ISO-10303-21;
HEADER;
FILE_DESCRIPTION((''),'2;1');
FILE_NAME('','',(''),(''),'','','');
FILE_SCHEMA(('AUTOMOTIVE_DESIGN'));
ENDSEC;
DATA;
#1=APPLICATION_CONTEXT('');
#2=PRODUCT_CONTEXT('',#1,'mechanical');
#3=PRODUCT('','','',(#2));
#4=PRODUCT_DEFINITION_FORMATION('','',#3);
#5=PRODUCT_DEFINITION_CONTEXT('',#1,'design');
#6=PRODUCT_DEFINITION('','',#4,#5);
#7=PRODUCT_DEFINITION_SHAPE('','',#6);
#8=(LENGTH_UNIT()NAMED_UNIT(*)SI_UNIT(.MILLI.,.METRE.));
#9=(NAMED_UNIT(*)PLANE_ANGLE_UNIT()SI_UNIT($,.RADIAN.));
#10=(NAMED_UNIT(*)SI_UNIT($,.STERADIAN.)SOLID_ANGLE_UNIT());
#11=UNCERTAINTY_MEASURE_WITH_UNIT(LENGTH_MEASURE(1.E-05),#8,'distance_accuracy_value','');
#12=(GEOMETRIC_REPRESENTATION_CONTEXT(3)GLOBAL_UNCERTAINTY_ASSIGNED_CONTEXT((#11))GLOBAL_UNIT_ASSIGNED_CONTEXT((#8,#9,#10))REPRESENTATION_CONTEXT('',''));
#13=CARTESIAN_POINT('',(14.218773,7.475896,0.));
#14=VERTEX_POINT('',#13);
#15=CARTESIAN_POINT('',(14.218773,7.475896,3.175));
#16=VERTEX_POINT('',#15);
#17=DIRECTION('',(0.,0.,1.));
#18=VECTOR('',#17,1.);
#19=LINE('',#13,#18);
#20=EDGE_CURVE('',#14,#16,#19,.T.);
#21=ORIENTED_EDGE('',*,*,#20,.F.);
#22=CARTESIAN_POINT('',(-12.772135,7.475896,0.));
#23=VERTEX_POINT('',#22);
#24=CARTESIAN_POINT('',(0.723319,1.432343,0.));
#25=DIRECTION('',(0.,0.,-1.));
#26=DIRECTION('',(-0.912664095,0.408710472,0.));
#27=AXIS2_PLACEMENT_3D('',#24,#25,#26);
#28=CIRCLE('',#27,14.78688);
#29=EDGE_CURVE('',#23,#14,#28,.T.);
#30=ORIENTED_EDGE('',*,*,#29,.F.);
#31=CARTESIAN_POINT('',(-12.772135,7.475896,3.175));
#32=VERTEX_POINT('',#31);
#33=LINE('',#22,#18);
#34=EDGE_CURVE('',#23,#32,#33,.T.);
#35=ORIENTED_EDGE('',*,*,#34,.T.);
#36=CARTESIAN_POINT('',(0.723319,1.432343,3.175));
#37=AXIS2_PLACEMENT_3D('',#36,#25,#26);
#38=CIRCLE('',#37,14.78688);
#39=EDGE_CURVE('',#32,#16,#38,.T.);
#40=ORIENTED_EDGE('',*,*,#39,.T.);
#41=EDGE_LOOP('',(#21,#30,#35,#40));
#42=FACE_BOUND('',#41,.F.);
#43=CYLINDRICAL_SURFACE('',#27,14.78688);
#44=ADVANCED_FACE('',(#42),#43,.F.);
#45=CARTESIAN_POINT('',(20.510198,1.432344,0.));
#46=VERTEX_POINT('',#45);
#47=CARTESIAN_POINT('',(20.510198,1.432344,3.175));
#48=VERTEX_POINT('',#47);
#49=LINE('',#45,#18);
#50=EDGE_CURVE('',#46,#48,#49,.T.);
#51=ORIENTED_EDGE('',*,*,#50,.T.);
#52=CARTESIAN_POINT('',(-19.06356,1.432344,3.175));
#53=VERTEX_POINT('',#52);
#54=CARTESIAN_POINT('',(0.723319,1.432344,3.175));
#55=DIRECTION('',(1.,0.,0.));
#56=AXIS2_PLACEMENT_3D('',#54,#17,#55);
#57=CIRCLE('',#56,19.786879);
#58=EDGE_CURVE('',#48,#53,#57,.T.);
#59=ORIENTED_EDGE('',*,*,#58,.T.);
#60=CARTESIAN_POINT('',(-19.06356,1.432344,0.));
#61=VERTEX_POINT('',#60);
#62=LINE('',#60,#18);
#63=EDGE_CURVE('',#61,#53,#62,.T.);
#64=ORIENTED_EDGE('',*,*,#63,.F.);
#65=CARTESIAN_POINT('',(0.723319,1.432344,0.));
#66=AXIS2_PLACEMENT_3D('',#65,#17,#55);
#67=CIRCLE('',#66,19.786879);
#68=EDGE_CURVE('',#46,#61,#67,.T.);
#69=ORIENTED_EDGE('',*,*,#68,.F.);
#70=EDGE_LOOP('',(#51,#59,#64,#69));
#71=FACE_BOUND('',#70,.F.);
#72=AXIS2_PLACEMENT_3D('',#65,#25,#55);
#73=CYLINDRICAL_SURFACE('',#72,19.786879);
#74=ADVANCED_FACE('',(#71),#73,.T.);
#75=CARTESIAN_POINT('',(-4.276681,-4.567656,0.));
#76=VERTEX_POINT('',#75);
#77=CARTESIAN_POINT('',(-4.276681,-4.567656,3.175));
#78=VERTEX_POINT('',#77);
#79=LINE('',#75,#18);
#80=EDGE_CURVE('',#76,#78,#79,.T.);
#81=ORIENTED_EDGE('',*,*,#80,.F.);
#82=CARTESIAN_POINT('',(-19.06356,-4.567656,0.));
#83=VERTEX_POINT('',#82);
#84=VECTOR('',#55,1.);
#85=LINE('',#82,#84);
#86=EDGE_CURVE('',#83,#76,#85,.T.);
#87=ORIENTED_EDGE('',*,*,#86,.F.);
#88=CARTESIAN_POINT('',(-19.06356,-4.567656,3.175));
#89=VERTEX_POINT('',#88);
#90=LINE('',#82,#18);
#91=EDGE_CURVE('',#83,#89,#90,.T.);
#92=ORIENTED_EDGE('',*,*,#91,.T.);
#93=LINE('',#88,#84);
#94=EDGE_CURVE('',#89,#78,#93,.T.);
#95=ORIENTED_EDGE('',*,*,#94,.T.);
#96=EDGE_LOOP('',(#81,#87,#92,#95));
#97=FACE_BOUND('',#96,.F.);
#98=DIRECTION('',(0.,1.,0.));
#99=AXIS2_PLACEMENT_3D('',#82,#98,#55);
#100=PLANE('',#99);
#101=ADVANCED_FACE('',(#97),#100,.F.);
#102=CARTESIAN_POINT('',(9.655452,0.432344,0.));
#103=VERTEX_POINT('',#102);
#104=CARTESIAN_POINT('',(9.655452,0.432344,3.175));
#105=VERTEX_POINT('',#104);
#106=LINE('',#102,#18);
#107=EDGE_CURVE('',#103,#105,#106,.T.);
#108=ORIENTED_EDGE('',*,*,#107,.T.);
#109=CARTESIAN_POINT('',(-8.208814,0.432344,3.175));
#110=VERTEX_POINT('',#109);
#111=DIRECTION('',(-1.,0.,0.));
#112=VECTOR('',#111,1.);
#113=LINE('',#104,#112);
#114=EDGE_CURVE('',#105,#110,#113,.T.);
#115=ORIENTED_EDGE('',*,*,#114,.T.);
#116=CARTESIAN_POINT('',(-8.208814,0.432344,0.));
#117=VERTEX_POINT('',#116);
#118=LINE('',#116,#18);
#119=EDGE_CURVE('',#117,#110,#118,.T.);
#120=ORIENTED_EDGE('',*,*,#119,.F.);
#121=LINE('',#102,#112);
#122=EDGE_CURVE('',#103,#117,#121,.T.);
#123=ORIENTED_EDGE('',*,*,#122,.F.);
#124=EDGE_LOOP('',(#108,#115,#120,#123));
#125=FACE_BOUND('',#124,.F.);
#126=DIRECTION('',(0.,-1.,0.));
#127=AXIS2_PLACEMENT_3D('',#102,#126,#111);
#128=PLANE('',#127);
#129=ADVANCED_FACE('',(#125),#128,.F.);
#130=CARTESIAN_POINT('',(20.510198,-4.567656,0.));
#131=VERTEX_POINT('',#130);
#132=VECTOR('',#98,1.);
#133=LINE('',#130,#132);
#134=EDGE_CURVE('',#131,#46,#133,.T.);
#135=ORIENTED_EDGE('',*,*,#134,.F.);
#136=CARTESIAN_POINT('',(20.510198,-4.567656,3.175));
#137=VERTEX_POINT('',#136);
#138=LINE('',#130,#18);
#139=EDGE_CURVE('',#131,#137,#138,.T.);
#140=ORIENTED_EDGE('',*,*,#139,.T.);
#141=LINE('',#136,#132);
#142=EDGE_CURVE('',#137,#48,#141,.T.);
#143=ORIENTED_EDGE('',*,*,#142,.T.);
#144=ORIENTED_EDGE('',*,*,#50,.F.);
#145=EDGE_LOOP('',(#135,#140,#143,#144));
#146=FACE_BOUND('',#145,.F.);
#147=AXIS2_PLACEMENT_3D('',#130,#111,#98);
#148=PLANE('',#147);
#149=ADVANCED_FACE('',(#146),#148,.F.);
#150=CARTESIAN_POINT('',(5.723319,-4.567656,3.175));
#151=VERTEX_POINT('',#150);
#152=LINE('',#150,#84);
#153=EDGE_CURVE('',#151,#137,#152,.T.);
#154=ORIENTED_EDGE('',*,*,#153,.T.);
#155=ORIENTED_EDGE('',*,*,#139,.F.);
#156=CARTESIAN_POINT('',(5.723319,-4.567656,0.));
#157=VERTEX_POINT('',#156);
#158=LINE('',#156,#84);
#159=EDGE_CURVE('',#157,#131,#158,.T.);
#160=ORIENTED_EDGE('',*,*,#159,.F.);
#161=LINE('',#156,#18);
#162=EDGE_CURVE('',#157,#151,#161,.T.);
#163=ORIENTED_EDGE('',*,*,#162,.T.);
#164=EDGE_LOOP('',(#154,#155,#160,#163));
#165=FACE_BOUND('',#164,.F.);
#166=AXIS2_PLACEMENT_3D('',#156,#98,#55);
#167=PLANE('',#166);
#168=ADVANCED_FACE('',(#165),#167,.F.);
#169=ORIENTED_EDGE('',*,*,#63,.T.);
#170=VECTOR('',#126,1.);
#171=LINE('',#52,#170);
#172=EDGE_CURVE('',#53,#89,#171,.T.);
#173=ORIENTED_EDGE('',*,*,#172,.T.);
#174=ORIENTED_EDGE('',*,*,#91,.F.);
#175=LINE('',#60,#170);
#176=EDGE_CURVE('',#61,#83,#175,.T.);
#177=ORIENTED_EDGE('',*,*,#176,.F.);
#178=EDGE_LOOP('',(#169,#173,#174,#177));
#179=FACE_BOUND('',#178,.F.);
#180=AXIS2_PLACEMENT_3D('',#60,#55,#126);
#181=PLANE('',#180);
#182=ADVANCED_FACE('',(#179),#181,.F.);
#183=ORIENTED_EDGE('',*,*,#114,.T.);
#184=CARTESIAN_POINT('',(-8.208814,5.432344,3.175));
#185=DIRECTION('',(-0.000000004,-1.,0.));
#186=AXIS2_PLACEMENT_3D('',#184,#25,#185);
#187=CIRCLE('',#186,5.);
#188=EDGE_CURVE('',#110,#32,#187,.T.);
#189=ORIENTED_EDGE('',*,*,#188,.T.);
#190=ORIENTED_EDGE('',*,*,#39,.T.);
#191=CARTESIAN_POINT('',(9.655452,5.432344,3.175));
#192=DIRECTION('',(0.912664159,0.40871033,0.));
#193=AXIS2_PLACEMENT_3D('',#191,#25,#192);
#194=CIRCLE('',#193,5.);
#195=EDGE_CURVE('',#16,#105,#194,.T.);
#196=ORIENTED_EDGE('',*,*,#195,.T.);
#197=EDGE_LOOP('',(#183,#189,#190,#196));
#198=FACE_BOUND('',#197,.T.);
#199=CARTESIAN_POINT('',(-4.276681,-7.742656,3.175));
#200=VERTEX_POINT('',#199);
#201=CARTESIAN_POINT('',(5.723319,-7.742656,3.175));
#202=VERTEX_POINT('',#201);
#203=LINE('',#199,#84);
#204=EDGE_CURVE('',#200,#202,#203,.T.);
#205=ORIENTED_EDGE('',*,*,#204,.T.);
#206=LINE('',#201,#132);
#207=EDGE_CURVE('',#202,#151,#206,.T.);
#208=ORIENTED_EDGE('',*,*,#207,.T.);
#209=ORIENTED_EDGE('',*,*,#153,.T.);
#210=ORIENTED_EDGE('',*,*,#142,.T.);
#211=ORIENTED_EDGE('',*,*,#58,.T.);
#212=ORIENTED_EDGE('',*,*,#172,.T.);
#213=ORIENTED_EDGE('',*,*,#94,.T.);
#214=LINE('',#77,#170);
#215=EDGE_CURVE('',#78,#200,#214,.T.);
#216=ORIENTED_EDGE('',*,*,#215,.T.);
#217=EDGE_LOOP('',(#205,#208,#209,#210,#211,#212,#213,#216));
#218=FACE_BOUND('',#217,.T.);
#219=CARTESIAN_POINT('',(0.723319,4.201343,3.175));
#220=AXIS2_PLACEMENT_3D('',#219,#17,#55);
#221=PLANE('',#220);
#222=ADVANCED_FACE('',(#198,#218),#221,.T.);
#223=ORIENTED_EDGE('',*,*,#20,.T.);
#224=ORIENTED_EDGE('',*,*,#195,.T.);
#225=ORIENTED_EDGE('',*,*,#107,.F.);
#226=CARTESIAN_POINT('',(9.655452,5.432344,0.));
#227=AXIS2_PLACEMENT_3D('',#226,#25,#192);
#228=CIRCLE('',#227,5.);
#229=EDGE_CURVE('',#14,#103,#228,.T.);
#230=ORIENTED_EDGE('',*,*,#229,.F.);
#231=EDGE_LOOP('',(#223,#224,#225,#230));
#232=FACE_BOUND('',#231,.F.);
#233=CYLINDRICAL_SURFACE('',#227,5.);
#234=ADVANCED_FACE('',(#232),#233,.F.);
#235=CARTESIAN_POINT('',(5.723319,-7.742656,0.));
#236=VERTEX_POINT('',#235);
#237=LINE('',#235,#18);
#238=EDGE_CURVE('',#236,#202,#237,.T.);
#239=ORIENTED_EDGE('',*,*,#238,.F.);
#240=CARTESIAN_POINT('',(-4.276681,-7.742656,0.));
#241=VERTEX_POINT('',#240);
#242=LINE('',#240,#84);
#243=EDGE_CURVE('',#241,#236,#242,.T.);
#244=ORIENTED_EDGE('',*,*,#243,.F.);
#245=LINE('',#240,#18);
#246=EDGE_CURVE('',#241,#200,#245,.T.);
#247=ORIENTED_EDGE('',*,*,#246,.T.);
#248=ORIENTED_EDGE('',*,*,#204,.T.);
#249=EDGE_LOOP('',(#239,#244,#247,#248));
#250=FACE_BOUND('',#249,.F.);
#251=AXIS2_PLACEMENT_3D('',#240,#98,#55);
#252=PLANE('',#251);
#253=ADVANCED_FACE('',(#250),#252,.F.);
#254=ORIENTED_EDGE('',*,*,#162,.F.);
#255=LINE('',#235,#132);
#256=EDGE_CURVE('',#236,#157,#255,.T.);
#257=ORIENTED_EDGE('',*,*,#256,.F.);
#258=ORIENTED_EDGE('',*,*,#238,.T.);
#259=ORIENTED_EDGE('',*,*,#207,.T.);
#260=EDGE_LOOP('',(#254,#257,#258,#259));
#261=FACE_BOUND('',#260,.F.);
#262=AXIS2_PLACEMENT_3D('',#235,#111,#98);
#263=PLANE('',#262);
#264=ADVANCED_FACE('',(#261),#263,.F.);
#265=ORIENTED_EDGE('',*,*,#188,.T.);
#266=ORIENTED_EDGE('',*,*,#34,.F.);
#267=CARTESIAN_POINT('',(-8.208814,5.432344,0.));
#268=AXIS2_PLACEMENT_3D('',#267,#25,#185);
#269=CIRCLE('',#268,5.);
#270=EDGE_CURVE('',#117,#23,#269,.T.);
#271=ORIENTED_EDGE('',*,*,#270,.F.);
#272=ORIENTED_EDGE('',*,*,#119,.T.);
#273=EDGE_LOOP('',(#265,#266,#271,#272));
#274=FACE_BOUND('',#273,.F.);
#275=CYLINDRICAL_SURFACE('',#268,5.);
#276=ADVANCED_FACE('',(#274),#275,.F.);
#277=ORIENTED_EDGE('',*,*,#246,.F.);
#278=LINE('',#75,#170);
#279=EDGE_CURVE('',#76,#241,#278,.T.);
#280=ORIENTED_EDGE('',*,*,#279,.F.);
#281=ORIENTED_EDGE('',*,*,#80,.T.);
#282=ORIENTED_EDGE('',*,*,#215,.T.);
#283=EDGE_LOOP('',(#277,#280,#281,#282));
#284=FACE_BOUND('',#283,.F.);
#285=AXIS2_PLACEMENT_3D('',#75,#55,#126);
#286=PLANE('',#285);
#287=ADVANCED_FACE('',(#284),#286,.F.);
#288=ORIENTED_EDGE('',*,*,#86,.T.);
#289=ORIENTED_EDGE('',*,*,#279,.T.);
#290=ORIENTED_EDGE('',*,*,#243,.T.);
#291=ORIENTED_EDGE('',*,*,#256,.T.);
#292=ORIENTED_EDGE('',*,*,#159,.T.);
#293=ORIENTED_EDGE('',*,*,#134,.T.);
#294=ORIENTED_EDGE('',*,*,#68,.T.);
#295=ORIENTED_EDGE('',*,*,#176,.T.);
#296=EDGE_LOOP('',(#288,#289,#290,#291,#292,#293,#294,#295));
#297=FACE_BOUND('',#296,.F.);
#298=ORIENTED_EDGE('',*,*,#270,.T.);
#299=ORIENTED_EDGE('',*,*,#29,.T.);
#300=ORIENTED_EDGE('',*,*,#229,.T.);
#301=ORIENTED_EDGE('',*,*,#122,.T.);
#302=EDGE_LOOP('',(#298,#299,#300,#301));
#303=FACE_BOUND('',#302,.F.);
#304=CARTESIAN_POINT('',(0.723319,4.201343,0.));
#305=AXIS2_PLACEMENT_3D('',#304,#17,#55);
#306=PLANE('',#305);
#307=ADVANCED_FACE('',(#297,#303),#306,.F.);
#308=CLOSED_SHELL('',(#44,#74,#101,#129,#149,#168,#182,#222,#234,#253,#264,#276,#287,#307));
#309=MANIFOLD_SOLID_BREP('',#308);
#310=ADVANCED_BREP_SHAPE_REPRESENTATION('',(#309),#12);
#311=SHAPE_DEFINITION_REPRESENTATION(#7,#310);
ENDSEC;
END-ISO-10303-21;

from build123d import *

# Parameters (mm, degrees)
F1_DEPTH = 3.175


with BuildPart() as f1:
    # F0 (on Top) → F1 (new body)
    with BuildSketch(Plane.XY):
        with BuildLine():
            Line((-19.06356, 1.432344), (-19.06356, -4.567656))
            Line((-19.06356, -4.567656), (-4.276681, -4.567656))
            Line((-4.276681, -4.567656), (-4.276681, -7.742656))
            Line((-4.276681, -7.742656), (5.723319, -7.742656))
            Line((5.723319, -7.742656), (5.723319, -4.567656))
            Line((5.723319, -4.567656), (20.510198, -4.567656))
            Line((20.510198, -4.567656), (20.510198, 1.432344))
            ThreePointArc((20.510198, 1.432344), (0.723319, 21.219223), (-19.06356, 1.432344))
        make_face()
        with BuildLine():
            Line((9.655452, 0.432344), (5.723319, 0.432344))
            Line((5.723319, 0.432344), (-4.276681, 0.432344))
            Line((-4.276681, 0.432344), (-8.208814, 0.432344))
            ThreePointArc((-8.208814, 0.432344), (-12.405108, 2.713683), (-12.772135, 7.475896))
            ThreePointArc((-12.772135, 7.475896), (0.723319, 16.219223), (14.218773, 7.475896))
            ThreePointArc((14.218773, 7.475896), (13.851746, 2.713683), (9.655452, 0.432344))
        make_face(mode=Mode.SUBTRACT)
    extrude(amount=F1_DEPTH)


solid = f1.part
